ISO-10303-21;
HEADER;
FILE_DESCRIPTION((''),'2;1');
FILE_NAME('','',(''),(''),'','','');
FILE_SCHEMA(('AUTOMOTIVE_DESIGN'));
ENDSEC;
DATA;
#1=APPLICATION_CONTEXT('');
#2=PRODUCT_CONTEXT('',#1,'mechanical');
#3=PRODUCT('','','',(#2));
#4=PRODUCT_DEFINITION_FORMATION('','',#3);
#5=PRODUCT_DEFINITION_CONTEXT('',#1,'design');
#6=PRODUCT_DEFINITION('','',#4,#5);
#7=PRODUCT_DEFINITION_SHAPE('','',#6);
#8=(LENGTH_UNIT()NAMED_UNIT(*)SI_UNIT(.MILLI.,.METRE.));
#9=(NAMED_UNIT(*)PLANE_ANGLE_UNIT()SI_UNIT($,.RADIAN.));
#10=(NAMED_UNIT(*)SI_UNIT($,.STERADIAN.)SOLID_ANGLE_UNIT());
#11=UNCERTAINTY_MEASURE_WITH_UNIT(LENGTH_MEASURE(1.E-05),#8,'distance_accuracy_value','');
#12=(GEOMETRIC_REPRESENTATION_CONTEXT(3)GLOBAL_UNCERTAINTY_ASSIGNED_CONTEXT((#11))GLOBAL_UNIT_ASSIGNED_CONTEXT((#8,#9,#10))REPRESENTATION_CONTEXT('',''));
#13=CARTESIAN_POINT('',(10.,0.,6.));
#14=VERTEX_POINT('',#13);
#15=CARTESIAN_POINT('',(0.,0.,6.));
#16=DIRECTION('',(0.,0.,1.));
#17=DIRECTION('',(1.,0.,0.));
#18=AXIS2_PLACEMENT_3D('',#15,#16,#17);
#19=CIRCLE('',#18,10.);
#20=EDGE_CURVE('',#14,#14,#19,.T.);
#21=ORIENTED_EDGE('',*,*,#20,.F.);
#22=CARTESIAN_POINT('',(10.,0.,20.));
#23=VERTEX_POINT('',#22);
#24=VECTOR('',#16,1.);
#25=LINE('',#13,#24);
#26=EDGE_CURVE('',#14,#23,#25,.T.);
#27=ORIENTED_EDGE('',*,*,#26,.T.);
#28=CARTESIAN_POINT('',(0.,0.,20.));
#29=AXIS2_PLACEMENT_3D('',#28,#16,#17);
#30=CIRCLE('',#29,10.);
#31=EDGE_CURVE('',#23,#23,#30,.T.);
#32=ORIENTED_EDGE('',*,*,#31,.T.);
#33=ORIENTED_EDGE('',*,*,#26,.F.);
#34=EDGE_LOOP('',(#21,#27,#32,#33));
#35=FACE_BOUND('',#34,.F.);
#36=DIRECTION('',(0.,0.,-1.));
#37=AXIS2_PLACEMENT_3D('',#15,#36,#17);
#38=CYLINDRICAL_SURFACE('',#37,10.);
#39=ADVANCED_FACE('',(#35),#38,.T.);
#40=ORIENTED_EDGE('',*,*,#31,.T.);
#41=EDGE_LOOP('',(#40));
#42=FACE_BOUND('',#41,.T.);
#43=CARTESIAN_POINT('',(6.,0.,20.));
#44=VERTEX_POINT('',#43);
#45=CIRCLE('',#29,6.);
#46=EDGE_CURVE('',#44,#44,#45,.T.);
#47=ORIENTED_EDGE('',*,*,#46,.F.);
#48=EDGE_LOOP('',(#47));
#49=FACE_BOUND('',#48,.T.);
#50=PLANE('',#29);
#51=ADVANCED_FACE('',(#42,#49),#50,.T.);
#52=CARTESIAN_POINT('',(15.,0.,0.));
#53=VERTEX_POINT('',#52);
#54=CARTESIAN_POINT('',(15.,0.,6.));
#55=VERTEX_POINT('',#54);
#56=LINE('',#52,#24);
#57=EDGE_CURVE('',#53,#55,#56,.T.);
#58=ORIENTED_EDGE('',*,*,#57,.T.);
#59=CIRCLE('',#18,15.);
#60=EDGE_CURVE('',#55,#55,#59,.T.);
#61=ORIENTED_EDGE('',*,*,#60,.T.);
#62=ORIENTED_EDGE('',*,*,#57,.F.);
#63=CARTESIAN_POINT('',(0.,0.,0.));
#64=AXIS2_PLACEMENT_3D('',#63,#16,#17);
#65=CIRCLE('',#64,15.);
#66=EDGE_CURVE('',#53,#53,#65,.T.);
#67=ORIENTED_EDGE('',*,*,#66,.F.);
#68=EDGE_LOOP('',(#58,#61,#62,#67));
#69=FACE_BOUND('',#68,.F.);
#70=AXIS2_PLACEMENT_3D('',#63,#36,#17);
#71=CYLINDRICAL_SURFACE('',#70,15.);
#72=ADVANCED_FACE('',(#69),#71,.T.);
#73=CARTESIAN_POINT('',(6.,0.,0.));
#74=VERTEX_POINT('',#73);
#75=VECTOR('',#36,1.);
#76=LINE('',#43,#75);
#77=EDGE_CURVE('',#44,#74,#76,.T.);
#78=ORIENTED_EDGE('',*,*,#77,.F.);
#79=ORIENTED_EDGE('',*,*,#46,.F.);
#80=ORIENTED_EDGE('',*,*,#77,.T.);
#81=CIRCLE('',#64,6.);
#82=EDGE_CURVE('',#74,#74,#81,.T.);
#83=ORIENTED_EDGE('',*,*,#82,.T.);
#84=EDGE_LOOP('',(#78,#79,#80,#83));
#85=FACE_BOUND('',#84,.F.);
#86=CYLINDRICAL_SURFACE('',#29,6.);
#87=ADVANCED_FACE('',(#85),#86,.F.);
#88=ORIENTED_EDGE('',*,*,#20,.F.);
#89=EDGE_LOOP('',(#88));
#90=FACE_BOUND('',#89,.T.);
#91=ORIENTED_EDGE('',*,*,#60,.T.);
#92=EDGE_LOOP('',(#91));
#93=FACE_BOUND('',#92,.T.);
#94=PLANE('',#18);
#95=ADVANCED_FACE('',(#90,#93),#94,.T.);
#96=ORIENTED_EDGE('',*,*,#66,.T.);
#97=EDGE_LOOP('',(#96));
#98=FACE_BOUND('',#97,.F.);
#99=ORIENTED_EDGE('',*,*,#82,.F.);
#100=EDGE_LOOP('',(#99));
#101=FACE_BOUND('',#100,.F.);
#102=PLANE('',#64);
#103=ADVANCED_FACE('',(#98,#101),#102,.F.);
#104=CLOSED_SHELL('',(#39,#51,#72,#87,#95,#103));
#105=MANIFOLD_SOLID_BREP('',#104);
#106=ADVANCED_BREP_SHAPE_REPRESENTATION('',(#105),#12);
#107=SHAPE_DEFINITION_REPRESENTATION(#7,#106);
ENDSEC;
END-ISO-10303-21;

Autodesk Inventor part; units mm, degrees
ref_plane "YZ Plane" through (0, 0, 0) normal (1, 0, 0) x (0, 1, 0)
ref_plane "XZ Plane" through (0, 0, 0) normal (0, 1, 0) x (-1, 0, 0)
ref_plane "XY Plane" through (0, 0, 0) normal (0, 0, 1) x (1, 0, 0)
sketch "Sketch1" plane through (0, 0, 0) normal (0, 0, 1) x (1, 0, 0)
  circle A0 centre (0, 0) radius 15
  dimension "d0" = 30
extrude "Extrusion1" add sketch "Sketch1" along normal blind 6
sketch "Sketch2" plane through (0, 0, 6) normal (0, 0, 1) x (1, 0, 0)
  circle A0 centre (0, 0) radius 10
  dimension "d3" = 20
extrude "Extrusion2" add sketch "Sketch2" along normal blind 14
sketch "Sketch3" plane through (0, 0, 20) normal (0, 0, 1) x (1, 0, 0)
  circle A0 centre (0, 0) radius 6
  dimension "d6" = 12
extrude "Extrusion3" cut sketch "Sketch3" against normal blind 20
properties part number "burc"
